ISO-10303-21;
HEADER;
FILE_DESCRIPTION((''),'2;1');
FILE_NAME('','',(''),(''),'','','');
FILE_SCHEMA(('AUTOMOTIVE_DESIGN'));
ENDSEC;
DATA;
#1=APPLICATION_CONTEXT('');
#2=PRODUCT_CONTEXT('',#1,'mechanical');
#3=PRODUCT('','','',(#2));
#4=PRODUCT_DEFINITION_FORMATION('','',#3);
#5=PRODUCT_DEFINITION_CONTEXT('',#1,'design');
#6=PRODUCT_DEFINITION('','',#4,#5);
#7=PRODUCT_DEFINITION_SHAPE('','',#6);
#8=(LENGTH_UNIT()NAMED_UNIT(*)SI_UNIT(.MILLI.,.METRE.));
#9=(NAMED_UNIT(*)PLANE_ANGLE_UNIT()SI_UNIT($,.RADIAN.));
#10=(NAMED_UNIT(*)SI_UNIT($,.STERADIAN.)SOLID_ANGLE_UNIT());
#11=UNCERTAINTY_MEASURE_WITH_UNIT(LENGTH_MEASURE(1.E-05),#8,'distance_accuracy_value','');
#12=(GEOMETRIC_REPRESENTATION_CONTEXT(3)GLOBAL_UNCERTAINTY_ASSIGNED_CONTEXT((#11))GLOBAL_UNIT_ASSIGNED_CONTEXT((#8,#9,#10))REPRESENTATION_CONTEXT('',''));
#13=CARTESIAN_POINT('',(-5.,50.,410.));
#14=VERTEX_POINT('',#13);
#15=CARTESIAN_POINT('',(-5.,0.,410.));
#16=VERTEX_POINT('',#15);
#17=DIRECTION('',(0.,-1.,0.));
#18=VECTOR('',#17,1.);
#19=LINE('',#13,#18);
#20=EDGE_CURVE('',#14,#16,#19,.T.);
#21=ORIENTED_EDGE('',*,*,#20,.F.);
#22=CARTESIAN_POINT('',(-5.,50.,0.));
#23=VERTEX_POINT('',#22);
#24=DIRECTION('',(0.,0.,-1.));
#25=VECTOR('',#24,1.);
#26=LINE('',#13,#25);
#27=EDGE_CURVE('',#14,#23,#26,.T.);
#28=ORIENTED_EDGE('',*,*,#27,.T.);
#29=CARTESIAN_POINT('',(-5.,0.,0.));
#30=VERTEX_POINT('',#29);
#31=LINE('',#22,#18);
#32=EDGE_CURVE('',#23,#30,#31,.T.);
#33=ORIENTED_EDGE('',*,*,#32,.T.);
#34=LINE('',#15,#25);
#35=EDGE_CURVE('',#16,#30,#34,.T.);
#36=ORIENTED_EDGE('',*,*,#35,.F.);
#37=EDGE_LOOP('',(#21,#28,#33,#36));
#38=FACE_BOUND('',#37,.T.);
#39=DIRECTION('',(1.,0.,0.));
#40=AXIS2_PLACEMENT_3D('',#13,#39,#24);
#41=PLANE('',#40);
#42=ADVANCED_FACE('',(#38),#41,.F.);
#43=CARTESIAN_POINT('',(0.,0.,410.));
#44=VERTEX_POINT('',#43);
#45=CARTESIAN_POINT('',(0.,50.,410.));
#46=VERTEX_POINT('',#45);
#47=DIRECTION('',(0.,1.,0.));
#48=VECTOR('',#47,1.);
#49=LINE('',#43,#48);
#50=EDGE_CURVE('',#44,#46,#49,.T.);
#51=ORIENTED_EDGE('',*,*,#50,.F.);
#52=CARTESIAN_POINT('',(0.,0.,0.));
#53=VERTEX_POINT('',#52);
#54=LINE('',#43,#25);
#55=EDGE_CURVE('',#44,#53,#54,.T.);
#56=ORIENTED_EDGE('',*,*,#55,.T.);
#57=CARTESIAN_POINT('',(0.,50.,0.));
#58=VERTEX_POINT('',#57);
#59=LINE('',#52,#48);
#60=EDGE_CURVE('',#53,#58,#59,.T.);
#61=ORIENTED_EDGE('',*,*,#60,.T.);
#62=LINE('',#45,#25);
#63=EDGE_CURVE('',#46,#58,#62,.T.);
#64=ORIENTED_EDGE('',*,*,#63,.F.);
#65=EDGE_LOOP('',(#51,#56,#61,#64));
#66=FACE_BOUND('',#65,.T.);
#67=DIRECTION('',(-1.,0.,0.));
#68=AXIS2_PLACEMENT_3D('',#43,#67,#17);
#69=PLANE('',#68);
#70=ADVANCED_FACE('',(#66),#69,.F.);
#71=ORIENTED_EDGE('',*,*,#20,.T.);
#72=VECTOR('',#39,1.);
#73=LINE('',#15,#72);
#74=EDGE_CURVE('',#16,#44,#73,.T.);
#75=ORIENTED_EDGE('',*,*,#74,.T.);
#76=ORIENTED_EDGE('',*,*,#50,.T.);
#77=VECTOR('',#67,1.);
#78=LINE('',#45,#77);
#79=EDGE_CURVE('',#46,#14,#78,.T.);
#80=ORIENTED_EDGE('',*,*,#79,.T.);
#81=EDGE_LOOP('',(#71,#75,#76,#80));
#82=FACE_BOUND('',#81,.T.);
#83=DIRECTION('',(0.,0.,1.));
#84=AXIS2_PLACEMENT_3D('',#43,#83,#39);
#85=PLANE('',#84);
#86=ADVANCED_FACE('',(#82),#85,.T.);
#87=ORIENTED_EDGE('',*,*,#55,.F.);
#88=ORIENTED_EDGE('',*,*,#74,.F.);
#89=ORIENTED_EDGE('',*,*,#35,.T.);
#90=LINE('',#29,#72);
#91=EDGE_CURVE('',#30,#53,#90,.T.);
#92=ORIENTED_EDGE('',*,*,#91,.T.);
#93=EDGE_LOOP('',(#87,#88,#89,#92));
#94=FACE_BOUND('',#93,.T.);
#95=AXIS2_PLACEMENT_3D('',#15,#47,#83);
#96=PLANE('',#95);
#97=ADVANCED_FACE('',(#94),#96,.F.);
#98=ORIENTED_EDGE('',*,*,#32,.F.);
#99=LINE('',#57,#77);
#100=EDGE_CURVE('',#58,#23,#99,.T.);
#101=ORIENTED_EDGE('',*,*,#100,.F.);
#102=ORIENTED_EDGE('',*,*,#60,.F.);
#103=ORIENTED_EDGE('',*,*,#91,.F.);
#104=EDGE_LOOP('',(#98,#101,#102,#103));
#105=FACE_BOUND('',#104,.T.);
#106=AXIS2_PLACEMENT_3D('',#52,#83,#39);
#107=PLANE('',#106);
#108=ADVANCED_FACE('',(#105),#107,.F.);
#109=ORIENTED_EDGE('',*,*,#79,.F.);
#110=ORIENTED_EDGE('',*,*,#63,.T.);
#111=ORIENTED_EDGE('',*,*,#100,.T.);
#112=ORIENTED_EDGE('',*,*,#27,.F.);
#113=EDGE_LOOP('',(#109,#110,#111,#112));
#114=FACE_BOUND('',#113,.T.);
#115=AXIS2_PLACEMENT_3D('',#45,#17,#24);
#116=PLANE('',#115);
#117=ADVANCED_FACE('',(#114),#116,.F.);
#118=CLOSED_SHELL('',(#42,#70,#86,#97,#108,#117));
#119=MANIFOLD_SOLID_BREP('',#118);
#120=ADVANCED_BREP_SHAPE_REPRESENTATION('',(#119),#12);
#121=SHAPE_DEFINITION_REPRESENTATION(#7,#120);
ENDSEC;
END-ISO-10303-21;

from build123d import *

# Parameters (mm, degrees)
SKETCH1_W           = 5
SKETCH1_H           = 50
BOSS_EXTRUDE1_DEPTH = 410


with BuildPart() as part:
    # Sketch1 → Boss-Extrude1 (new body)
    with BuildSketch(Plane.XY):
        with Locations((-2.5, 25)):
            Rectangle(SKETCH1_W, SKETCH1_H)
    extrude(amount=BOSS_EXTRUDE1_DEPTH)


solid = part.part
